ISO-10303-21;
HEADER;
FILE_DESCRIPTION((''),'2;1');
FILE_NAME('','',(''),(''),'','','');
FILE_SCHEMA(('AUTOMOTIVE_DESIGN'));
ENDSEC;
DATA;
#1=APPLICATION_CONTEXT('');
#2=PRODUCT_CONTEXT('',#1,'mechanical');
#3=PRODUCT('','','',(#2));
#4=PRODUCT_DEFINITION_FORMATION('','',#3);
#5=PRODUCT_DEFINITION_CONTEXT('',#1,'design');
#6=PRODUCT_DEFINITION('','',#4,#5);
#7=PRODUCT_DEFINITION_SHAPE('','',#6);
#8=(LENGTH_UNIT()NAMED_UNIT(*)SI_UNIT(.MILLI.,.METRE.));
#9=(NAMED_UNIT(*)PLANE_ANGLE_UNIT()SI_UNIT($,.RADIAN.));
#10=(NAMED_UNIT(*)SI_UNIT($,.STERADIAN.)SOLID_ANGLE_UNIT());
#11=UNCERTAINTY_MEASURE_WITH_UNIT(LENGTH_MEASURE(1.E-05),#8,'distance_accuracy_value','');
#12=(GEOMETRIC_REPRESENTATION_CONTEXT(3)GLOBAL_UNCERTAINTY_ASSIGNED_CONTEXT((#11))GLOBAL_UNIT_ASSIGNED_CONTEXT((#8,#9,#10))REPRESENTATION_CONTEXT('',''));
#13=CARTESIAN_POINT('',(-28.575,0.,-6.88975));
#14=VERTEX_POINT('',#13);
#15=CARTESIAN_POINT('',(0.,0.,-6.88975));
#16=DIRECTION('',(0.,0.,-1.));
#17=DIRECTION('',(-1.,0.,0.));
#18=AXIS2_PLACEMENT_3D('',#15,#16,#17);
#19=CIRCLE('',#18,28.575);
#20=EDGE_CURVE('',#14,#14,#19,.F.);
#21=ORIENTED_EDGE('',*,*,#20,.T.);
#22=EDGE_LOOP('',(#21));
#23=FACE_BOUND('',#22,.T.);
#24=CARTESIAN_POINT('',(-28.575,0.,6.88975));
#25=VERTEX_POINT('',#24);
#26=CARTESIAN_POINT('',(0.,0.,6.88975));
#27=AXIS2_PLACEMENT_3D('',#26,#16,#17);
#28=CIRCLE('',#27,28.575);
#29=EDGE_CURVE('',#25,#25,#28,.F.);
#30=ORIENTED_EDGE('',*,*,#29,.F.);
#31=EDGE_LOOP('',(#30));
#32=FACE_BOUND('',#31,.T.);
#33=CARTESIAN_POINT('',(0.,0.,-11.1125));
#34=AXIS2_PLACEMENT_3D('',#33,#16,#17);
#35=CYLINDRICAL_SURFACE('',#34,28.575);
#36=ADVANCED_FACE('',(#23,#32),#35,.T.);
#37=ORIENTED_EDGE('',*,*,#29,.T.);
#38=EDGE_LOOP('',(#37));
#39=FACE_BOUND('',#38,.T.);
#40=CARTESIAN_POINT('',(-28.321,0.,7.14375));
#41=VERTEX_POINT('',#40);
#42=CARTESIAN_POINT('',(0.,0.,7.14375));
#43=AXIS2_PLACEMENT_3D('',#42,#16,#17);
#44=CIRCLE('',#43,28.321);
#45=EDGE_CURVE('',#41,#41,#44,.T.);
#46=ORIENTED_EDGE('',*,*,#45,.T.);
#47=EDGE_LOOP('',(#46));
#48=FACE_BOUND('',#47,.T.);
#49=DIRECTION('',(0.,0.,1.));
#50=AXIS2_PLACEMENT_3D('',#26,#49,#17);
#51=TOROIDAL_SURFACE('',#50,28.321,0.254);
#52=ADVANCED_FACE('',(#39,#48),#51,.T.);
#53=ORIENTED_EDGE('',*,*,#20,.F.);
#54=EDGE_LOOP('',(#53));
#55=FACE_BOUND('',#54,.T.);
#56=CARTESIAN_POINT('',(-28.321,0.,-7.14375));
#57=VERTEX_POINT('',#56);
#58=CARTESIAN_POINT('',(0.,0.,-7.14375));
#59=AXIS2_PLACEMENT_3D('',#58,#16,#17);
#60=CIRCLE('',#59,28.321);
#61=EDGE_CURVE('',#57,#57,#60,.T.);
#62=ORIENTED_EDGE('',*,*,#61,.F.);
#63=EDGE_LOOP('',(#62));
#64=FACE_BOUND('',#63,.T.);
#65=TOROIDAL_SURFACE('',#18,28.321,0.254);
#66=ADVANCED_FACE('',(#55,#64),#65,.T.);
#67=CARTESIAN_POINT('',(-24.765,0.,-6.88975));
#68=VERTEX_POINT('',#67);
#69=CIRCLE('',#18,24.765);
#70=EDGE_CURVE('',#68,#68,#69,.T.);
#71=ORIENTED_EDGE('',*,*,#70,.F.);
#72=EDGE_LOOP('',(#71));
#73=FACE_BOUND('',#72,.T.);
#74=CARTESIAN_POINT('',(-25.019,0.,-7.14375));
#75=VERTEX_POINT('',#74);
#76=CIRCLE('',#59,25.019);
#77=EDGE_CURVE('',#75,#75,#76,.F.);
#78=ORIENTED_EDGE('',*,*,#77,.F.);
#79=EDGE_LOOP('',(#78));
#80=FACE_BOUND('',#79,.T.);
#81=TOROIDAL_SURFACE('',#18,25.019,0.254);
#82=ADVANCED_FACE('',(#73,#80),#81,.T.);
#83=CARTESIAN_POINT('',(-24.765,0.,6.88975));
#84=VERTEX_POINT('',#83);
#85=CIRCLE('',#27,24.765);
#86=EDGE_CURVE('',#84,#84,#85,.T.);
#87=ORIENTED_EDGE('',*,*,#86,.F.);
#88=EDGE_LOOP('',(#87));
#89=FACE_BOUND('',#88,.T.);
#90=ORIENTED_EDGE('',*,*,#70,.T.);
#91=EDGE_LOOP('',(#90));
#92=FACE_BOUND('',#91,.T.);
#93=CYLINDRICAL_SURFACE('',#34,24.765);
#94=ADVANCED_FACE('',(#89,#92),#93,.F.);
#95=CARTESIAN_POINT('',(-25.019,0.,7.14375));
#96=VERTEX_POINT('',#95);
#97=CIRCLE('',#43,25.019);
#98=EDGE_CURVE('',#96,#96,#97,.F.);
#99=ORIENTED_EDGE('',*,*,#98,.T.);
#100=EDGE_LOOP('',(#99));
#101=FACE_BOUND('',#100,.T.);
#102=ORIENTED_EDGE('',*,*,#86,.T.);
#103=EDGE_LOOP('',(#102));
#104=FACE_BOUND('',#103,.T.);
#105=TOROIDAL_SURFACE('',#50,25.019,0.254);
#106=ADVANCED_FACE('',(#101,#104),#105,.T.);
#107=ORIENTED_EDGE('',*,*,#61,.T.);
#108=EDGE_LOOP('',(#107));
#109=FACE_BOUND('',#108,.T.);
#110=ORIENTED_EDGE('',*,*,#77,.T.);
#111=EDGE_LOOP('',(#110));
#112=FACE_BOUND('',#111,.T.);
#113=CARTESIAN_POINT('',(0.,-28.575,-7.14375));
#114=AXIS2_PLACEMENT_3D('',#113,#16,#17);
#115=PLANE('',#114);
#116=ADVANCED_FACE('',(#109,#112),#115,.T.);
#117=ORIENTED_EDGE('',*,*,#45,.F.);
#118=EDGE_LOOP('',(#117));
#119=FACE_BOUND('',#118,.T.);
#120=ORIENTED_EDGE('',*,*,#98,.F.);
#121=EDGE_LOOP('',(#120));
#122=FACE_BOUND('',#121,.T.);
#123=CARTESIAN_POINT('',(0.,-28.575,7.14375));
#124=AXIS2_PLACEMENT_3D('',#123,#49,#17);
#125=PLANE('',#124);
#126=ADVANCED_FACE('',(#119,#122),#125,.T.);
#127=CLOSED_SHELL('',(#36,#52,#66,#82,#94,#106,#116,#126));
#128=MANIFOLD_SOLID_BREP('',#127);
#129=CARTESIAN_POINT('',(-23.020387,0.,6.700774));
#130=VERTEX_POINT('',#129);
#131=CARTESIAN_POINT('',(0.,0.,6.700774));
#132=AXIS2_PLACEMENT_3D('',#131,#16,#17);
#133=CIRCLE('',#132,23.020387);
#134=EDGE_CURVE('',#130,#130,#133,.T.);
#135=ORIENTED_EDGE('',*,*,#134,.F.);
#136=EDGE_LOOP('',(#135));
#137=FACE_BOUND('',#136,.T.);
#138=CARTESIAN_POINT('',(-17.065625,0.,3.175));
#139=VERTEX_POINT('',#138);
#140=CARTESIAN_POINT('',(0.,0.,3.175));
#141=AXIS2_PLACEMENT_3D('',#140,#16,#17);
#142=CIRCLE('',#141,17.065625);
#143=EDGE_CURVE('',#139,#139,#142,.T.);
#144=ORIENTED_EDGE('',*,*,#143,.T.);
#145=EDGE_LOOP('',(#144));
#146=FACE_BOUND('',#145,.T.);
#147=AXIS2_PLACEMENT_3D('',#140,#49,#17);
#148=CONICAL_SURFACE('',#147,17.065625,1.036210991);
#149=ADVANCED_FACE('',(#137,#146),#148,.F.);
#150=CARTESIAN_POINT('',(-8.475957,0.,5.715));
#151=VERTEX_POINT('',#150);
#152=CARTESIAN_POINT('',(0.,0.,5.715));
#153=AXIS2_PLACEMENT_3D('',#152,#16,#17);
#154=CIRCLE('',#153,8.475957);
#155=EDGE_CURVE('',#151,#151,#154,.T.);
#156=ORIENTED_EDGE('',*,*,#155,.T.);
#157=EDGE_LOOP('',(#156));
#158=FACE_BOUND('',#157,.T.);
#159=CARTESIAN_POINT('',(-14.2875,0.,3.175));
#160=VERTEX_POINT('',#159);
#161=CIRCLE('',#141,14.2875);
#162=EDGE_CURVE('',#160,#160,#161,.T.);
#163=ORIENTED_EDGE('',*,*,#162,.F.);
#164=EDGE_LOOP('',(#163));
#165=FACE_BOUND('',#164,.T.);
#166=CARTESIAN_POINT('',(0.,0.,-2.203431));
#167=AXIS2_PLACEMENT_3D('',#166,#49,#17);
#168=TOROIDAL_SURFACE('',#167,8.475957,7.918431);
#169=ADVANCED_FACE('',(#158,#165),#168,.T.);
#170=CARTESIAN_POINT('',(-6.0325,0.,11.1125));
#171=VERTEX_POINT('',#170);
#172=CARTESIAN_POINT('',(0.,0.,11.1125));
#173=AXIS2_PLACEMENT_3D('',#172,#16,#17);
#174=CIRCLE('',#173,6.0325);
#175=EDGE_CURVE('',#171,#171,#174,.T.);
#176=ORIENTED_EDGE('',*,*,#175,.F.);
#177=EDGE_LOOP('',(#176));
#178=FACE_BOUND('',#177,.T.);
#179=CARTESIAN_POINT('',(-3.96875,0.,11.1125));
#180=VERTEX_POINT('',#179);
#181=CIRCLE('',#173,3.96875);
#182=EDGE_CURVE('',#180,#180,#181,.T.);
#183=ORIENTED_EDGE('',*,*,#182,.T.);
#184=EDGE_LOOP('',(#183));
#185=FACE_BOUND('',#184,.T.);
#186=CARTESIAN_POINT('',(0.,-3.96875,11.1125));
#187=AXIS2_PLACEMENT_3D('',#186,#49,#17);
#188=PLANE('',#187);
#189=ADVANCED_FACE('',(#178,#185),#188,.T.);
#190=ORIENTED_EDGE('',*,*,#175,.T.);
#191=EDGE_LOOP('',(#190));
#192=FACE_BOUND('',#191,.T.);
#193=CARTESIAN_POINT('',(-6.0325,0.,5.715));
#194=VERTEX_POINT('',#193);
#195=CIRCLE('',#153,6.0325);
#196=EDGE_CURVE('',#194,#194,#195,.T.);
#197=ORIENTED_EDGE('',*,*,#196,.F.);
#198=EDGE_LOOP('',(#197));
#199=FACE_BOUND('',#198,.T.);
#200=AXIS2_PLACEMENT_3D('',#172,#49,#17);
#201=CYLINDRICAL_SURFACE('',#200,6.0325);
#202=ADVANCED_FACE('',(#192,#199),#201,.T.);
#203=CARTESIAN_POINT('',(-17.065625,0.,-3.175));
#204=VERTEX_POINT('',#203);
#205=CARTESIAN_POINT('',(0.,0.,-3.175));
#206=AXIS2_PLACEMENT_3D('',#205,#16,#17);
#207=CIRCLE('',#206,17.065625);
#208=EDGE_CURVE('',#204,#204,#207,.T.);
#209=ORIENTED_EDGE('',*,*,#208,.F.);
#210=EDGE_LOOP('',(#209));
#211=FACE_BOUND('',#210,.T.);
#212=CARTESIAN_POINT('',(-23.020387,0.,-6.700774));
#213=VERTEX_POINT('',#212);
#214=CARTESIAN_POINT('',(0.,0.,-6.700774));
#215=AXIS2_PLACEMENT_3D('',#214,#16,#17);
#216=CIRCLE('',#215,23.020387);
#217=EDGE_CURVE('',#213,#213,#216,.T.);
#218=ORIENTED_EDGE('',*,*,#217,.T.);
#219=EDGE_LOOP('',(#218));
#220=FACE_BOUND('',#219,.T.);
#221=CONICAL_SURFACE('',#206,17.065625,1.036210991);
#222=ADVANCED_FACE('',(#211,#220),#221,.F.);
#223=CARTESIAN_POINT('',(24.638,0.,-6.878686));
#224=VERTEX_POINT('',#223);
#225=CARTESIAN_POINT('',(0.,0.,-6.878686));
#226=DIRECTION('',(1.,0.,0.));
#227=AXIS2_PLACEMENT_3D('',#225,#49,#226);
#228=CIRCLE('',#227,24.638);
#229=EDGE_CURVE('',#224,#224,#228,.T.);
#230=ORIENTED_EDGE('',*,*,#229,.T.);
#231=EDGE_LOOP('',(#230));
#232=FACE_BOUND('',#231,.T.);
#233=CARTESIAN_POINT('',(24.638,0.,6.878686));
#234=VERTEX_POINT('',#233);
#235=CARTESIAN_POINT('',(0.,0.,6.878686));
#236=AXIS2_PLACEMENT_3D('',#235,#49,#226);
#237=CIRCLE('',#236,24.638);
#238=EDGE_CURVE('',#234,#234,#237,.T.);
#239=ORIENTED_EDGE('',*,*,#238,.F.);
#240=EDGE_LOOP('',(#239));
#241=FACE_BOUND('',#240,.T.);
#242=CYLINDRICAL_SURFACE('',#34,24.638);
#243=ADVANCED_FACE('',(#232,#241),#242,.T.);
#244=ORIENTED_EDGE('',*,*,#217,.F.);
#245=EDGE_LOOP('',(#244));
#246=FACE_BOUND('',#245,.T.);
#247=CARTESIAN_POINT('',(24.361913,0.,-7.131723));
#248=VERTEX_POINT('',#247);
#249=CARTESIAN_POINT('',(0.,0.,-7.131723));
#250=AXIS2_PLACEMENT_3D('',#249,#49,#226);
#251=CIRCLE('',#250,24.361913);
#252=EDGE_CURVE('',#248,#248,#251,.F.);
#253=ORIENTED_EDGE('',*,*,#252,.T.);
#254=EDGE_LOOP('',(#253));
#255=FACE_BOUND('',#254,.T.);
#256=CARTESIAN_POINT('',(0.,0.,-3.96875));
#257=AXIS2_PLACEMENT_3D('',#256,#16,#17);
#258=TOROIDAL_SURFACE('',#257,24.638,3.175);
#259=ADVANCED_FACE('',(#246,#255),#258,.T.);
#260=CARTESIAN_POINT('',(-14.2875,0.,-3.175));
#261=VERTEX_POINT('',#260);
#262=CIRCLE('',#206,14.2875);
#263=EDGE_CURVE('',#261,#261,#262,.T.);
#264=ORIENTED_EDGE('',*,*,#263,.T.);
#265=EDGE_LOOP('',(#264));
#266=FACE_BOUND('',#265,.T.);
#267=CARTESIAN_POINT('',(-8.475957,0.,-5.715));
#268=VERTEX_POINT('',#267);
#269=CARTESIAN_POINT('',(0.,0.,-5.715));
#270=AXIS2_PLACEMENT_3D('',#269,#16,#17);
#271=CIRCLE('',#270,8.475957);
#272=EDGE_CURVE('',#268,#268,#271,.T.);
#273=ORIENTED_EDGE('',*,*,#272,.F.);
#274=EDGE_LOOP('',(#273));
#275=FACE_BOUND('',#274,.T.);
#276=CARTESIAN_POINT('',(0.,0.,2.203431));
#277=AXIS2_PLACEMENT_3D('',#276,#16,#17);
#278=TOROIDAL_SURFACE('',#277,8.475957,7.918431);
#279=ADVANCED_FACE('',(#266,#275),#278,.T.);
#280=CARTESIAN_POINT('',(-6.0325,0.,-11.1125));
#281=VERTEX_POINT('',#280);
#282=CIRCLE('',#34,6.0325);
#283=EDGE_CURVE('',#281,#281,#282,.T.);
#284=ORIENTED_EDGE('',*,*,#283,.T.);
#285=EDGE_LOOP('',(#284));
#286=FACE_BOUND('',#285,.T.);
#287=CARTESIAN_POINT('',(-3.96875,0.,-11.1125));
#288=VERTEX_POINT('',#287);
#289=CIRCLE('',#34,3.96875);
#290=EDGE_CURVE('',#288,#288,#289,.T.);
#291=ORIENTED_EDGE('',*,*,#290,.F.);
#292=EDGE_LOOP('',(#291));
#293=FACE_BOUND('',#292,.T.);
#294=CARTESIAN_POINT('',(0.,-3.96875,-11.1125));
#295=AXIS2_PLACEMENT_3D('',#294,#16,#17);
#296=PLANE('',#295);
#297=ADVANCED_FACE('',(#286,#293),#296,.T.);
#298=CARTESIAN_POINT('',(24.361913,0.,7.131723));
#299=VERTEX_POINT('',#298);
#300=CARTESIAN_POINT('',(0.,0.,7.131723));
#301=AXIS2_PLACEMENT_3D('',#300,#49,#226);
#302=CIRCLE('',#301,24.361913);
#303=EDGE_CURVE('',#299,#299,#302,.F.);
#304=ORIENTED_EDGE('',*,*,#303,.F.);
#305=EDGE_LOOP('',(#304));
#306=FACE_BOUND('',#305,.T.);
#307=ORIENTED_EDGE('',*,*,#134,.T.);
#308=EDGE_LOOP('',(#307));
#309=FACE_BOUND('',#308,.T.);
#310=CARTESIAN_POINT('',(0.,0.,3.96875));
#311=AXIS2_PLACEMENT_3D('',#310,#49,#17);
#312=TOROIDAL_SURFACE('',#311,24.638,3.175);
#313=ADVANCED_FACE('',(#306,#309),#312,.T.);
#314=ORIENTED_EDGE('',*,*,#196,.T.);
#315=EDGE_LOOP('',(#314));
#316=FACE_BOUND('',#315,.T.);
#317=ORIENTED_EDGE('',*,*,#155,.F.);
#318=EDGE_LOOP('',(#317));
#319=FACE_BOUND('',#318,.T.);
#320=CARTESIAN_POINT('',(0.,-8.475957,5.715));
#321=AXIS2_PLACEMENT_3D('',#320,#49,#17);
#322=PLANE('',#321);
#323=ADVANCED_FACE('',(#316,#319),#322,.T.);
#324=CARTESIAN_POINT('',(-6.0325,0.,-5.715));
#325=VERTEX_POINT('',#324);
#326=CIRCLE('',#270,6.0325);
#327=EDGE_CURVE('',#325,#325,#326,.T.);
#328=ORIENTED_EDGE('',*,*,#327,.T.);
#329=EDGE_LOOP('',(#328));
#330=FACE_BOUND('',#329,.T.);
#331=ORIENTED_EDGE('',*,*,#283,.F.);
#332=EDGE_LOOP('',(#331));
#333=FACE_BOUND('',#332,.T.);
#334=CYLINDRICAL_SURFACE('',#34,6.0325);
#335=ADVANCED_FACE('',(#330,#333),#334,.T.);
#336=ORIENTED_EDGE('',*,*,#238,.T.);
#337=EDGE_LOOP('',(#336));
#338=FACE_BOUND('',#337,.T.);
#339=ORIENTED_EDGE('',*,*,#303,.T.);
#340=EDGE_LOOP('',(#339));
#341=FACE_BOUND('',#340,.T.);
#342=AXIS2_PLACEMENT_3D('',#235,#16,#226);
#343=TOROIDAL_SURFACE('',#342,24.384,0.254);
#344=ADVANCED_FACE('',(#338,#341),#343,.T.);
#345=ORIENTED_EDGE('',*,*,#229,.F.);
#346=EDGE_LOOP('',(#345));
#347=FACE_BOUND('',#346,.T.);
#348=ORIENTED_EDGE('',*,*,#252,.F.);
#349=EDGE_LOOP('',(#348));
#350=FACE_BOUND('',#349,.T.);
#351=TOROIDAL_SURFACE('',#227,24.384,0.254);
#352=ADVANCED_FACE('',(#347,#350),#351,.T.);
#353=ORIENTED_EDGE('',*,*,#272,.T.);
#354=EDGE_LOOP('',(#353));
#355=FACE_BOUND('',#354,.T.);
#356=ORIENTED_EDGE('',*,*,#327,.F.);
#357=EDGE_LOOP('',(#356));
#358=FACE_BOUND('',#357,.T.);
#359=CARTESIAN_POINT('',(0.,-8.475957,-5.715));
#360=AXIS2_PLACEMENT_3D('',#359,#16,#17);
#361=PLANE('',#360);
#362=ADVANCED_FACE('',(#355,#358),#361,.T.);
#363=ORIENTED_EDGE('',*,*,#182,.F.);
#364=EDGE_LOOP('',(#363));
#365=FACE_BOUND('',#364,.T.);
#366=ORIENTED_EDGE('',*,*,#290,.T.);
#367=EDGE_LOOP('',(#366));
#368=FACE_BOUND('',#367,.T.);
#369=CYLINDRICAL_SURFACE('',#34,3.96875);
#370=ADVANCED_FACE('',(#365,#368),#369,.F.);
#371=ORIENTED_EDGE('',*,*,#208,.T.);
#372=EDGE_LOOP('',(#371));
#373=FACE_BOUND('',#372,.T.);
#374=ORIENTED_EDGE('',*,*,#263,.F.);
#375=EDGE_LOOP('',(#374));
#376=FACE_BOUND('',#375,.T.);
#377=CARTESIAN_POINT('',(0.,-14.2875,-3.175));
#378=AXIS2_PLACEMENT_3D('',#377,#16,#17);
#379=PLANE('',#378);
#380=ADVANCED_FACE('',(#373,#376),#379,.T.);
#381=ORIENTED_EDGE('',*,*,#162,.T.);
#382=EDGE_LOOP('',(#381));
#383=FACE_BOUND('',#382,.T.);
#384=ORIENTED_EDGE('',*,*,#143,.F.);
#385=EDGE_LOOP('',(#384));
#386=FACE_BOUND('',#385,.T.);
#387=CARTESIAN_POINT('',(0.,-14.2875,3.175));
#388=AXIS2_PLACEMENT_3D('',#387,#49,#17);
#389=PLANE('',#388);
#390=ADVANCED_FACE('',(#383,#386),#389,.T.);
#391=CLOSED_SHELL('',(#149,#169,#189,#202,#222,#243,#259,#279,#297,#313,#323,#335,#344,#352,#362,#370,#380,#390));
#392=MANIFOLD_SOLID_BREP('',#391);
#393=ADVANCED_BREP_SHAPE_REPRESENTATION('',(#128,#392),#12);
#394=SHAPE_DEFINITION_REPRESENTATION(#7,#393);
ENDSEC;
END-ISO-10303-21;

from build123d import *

# Parameters (mm, degrees)
FILLET1_R               = 0.254
CUT_EXTRUDE1_DEPTH      = 45.343566836
CUT_EXTRUDE1_DEPTH_BACK = 45.343566836
SKETCH2_R               = 24.765
SKETCH2_R_2             = 24.638


with BuildPart() as part:
    # Sketch1 → Revolve1 (revolve)
    with BuildSketch(Plane(origin=(0, 0, 0), x_dir=(0, 0, -1), z_dir=(1, 0, 0))):
        with BuildLine():
            Line((0, 28.575), (7.14375, 28.575))
            Line((7.14375, 28.575), (7.14375, 24.765))
            Line((7.14375, 24.765), (4.60375, 24.765))
            Line((4.60375, 24.765), (4.60375, 24.638))
            Line((4.60375, 24.638), (7.14375, 24.638))
            ThreePointArc((7.14375, 24.638), (7.031004143, 23.799415143), (6.700773898, 23.020387432))
            Line((6.700773898, 23.020387432), (3.175, 17.065625))
            Line((3.175, 17.065625), (3.175, 14.2875))
            ThreePointArc((3.175, 14.2875), (5.05226622, 11.647141084), (5.715, 8.475957141))
            Line((5.715, 8.475957141), (5.715, 6.0325))
            Line((5.715, 6.0325), (11.1125, 6.0325))
            Line((11.1125, 6.0325), (11.1125, 3.96875))
            Line((11.1125, 3.96875), (0, 3.96875))
            Line((0, 3.96875), (0, 28.575))
        make_face()
    revolve(axis=Axis((0, 0, -11.1125), (0, 0, 1)))

    # Fillet1
    fillet1_edges = [part.edges().sort_by_distance(p)[0] for p in [
        (0, -28.575, -7.14375),
        (0, -24.765, -7.14375),
        (0, -24.638, -7.14375),
    ]]
    fillet(fillet1_edges, radius=FILLET1_R)

    # Mirror1: part across plane


with BuildPart() as part_1:
    add(part.part)
    add(part.part.mirror(Plane.XY))

    # Sketch2 → Cut-Extrude1 (cut, two sides: drawn at the far end of the back side and taken through both)
    with BuildSketch(Plane.XY.offset(7.14375).offset(-CUT_EXTRUDE1_DEPTH_BACK)):
        Circle(SKETCH2_R)
        Circle(SKETCH2_R_2, mode=Mode.SUBTRACT)
    extrude(amount=CUT_EXTRUDE1_DEPTH + CUT_EXTRUDE1_DEPTH_BACK, mode=Mode.SUBTRACT)


with BuildPart() as cut_extrude1_piece_1:
    # of the separate pieces the step leaves, piece 1, a body of its own (cut_extrude1_pieces)
    add(part_1.part.solids().sort_by_distance((0, 24.638, -6.878685566))[0])


with BuildPart() as cut_extrude1_piece_2:
    # of the separate pieces the step leaves, piece 2, a body of its own (cut_extrude1_pieces)
    add(part_1.part.solids().sort_by_distance((0, 28.575, -6.88975))[0])


solid = Compound([cut_extrude1_piece_1.part, cut_extrude1_piece_2.part])
